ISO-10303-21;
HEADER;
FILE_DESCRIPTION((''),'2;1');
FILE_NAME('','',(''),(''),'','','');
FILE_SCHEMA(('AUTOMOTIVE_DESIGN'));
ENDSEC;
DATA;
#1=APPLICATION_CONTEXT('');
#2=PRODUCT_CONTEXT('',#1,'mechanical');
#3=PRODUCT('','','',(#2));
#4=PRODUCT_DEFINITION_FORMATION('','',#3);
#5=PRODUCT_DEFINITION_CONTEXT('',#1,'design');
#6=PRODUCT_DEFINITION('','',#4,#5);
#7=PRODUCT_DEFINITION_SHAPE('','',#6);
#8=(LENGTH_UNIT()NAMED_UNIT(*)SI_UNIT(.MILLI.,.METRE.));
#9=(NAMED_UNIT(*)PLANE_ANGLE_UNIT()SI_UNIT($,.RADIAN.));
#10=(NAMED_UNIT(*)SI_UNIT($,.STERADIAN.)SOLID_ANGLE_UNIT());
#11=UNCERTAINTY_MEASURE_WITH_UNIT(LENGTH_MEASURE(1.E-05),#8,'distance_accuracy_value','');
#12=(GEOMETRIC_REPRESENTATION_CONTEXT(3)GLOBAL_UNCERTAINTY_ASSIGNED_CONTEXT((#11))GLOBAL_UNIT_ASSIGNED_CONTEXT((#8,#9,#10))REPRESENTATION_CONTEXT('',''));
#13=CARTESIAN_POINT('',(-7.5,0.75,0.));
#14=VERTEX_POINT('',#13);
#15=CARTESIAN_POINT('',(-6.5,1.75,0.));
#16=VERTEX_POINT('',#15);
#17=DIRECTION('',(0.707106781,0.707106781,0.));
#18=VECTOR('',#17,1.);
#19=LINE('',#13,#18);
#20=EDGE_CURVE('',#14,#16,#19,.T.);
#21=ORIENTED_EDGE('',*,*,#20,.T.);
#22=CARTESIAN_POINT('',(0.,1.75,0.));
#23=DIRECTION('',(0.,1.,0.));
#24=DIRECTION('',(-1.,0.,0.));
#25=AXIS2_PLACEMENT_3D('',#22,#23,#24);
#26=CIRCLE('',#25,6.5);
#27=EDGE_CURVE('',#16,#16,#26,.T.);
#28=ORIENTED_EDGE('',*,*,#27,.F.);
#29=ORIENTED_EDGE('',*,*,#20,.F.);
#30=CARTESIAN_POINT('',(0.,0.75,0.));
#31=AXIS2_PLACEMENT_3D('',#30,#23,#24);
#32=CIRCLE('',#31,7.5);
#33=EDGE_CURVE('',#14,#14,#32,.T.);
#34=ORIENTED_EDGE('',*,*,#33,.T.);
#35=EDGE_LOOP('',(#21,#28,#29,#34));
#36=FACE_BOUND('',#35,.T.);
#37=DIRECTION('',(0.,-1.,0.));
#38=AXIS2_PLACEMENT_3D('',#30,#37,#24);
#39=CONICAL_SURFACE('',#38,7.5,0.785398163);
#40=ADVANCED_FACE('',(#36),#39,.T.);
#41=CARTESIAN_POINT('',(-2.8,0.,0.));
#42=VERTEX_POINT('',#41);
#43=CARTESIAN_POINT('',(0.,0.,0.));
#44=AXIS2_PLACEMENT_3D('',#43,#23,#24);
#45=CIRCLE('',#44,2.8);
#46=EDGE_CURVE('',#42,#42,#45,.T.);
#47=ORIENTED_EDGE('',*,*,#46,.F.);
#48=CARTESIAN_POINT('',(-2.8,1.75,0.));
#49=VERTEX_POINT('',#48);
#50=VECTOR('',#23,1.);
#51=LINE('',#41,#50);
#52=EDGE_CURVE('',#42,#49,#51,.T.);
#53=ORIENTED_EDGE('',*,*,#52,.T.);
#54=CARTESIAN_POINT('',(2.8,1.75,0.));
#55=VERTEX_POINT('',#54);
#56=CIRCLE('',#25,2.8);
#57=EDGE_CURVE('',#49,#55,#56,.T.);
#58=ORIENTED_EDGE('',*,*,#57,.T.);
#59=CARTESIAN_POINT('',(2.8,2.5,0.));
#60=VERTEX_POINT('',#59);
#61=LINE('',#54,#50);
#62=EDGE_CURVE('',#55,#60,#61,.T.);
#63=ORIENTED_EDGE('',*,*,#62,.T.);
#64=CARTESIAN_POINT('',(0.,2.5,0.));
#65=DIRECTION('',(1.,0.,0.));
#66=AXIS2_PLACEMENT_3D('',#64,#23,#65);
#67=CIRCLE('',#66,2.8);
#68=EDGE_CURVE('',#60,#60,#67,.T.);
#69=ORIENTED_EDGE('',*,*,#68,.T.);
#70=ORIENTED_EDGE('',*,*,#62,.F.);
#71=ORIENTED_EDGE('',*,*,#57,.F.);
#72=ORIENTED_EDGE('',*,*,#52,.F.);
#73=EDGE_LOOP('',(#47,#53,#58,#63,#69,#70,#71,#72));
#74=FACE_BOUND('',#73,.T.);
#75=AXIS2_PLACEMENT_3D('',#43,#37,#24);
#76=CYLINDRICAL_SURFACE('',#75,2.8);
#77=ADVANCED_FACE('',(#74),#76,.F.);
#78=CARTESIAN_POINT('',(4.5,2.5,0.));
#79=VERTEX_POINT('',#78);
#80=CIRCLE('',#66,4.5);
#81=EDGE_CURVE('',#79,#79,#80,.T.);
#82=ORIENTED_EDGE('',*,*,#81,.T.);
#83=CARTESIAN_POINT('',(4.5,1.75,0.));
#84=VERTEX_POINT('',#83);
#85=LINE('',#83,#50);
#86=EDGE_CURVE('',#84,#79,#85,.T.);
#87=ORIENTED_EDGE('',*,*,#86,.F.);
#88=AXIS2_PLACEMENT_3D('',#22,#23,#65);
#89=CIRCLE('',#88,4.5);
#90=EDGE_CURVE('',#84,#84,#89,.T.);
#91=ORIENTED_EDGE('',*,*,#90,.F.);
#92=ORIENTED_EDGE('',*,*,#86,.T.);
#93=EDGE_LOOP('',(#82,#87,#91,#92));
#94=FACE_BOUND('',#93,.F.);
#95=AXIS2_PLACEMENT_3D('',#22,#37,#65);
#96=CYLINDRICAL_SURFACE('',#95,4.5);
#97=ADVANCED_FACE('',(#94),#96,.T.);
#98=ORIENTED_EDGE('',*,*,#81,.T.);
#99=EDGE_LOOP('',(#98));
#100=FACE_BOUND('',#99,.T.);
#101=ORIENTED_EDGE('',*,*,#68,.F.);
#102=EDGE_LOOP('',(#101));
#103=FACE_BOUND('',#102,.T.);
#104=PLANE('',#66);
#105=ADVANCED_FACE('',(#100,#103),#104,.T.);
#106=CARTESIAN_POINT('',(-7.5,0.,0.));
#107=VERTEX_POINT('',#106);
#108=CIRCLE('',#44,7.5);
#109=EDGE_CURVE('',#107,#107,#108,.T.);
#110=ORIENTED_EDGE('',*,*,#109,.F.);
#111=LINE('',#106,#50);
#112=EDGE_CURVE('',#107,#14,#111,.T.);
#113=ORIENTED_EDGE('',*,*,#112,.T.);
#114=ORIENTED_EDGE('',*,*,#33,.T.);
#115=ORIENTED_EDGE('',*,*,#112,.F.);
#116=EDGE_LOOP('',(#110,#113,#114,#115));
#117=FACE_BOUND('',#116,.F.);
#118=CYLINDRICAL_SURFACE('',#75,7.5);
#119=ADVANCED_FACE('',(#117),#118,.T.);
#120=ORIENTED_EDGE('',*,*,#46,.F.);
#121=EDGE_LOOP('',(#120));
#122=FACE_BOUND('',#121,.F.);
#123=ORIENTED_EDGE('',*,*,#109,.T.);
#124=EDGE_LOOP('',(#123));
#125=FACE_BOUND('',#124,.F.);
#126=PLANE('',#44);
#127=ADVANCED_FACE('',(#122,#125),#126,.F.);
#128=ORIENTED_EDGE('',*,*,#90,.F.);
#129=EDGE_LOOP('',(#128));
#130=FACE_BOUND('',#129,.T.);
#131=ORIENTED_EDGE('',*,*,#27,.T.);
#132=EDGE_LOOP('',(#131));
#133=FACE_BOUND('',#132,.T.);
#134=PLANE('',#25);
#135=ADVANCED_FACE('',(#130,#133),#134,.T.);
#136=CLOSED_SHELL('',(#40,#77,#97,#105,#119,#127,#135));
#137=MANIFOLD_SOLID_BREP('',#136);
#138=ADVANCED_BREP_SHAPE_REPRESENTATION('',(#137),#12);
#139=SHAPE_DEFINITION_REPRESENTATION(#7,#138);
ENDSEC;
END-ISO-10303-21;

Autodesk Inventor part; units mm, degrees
ref_plane "YZ Plane" through (0, 0, 0) normal (1, 0, 0) x (0, 1, 0)
ref_plane "XZ Plane" through (0, 0, 0) normal (0, 1, 0) x (-1, 0, 0)
ref_plane "XY Plane" through (0, 0, 0) normal (0, 0, 1) x (1, 0, 0)
sketch "Sketch1" plane through (0, 0, 0) normal (0, 1, 0) x (-1, 0, 0)
  circle A0 centre (0, 0) radius 2.8
  circle A1 centre (0, 0) radius 7.5
  dimension "d0" = 5.6
  dimension "d1" = 15
extrude "Extrusion1" add sketch "Sketch1" along normal blind 1.75
sketch "Sketch2" plane through (0, 1.75, 0) normal (0, 1, 0) x (1, 0, 0)
  circle A0 centre (0, 0) radius 4.5
  circle A1 centre (0, 0) radius 2.8 projected
  dimension "d4" = 9
extrude "Extrusion2" add sketch "Sketch2" along normal blind 0.75
chamfer "Chamfer1" distance 1 angle 45 1 edges at (7.5, 1.75, 0)
properties part number "x carraige sliding spacer short" material "ABS Plastic"
